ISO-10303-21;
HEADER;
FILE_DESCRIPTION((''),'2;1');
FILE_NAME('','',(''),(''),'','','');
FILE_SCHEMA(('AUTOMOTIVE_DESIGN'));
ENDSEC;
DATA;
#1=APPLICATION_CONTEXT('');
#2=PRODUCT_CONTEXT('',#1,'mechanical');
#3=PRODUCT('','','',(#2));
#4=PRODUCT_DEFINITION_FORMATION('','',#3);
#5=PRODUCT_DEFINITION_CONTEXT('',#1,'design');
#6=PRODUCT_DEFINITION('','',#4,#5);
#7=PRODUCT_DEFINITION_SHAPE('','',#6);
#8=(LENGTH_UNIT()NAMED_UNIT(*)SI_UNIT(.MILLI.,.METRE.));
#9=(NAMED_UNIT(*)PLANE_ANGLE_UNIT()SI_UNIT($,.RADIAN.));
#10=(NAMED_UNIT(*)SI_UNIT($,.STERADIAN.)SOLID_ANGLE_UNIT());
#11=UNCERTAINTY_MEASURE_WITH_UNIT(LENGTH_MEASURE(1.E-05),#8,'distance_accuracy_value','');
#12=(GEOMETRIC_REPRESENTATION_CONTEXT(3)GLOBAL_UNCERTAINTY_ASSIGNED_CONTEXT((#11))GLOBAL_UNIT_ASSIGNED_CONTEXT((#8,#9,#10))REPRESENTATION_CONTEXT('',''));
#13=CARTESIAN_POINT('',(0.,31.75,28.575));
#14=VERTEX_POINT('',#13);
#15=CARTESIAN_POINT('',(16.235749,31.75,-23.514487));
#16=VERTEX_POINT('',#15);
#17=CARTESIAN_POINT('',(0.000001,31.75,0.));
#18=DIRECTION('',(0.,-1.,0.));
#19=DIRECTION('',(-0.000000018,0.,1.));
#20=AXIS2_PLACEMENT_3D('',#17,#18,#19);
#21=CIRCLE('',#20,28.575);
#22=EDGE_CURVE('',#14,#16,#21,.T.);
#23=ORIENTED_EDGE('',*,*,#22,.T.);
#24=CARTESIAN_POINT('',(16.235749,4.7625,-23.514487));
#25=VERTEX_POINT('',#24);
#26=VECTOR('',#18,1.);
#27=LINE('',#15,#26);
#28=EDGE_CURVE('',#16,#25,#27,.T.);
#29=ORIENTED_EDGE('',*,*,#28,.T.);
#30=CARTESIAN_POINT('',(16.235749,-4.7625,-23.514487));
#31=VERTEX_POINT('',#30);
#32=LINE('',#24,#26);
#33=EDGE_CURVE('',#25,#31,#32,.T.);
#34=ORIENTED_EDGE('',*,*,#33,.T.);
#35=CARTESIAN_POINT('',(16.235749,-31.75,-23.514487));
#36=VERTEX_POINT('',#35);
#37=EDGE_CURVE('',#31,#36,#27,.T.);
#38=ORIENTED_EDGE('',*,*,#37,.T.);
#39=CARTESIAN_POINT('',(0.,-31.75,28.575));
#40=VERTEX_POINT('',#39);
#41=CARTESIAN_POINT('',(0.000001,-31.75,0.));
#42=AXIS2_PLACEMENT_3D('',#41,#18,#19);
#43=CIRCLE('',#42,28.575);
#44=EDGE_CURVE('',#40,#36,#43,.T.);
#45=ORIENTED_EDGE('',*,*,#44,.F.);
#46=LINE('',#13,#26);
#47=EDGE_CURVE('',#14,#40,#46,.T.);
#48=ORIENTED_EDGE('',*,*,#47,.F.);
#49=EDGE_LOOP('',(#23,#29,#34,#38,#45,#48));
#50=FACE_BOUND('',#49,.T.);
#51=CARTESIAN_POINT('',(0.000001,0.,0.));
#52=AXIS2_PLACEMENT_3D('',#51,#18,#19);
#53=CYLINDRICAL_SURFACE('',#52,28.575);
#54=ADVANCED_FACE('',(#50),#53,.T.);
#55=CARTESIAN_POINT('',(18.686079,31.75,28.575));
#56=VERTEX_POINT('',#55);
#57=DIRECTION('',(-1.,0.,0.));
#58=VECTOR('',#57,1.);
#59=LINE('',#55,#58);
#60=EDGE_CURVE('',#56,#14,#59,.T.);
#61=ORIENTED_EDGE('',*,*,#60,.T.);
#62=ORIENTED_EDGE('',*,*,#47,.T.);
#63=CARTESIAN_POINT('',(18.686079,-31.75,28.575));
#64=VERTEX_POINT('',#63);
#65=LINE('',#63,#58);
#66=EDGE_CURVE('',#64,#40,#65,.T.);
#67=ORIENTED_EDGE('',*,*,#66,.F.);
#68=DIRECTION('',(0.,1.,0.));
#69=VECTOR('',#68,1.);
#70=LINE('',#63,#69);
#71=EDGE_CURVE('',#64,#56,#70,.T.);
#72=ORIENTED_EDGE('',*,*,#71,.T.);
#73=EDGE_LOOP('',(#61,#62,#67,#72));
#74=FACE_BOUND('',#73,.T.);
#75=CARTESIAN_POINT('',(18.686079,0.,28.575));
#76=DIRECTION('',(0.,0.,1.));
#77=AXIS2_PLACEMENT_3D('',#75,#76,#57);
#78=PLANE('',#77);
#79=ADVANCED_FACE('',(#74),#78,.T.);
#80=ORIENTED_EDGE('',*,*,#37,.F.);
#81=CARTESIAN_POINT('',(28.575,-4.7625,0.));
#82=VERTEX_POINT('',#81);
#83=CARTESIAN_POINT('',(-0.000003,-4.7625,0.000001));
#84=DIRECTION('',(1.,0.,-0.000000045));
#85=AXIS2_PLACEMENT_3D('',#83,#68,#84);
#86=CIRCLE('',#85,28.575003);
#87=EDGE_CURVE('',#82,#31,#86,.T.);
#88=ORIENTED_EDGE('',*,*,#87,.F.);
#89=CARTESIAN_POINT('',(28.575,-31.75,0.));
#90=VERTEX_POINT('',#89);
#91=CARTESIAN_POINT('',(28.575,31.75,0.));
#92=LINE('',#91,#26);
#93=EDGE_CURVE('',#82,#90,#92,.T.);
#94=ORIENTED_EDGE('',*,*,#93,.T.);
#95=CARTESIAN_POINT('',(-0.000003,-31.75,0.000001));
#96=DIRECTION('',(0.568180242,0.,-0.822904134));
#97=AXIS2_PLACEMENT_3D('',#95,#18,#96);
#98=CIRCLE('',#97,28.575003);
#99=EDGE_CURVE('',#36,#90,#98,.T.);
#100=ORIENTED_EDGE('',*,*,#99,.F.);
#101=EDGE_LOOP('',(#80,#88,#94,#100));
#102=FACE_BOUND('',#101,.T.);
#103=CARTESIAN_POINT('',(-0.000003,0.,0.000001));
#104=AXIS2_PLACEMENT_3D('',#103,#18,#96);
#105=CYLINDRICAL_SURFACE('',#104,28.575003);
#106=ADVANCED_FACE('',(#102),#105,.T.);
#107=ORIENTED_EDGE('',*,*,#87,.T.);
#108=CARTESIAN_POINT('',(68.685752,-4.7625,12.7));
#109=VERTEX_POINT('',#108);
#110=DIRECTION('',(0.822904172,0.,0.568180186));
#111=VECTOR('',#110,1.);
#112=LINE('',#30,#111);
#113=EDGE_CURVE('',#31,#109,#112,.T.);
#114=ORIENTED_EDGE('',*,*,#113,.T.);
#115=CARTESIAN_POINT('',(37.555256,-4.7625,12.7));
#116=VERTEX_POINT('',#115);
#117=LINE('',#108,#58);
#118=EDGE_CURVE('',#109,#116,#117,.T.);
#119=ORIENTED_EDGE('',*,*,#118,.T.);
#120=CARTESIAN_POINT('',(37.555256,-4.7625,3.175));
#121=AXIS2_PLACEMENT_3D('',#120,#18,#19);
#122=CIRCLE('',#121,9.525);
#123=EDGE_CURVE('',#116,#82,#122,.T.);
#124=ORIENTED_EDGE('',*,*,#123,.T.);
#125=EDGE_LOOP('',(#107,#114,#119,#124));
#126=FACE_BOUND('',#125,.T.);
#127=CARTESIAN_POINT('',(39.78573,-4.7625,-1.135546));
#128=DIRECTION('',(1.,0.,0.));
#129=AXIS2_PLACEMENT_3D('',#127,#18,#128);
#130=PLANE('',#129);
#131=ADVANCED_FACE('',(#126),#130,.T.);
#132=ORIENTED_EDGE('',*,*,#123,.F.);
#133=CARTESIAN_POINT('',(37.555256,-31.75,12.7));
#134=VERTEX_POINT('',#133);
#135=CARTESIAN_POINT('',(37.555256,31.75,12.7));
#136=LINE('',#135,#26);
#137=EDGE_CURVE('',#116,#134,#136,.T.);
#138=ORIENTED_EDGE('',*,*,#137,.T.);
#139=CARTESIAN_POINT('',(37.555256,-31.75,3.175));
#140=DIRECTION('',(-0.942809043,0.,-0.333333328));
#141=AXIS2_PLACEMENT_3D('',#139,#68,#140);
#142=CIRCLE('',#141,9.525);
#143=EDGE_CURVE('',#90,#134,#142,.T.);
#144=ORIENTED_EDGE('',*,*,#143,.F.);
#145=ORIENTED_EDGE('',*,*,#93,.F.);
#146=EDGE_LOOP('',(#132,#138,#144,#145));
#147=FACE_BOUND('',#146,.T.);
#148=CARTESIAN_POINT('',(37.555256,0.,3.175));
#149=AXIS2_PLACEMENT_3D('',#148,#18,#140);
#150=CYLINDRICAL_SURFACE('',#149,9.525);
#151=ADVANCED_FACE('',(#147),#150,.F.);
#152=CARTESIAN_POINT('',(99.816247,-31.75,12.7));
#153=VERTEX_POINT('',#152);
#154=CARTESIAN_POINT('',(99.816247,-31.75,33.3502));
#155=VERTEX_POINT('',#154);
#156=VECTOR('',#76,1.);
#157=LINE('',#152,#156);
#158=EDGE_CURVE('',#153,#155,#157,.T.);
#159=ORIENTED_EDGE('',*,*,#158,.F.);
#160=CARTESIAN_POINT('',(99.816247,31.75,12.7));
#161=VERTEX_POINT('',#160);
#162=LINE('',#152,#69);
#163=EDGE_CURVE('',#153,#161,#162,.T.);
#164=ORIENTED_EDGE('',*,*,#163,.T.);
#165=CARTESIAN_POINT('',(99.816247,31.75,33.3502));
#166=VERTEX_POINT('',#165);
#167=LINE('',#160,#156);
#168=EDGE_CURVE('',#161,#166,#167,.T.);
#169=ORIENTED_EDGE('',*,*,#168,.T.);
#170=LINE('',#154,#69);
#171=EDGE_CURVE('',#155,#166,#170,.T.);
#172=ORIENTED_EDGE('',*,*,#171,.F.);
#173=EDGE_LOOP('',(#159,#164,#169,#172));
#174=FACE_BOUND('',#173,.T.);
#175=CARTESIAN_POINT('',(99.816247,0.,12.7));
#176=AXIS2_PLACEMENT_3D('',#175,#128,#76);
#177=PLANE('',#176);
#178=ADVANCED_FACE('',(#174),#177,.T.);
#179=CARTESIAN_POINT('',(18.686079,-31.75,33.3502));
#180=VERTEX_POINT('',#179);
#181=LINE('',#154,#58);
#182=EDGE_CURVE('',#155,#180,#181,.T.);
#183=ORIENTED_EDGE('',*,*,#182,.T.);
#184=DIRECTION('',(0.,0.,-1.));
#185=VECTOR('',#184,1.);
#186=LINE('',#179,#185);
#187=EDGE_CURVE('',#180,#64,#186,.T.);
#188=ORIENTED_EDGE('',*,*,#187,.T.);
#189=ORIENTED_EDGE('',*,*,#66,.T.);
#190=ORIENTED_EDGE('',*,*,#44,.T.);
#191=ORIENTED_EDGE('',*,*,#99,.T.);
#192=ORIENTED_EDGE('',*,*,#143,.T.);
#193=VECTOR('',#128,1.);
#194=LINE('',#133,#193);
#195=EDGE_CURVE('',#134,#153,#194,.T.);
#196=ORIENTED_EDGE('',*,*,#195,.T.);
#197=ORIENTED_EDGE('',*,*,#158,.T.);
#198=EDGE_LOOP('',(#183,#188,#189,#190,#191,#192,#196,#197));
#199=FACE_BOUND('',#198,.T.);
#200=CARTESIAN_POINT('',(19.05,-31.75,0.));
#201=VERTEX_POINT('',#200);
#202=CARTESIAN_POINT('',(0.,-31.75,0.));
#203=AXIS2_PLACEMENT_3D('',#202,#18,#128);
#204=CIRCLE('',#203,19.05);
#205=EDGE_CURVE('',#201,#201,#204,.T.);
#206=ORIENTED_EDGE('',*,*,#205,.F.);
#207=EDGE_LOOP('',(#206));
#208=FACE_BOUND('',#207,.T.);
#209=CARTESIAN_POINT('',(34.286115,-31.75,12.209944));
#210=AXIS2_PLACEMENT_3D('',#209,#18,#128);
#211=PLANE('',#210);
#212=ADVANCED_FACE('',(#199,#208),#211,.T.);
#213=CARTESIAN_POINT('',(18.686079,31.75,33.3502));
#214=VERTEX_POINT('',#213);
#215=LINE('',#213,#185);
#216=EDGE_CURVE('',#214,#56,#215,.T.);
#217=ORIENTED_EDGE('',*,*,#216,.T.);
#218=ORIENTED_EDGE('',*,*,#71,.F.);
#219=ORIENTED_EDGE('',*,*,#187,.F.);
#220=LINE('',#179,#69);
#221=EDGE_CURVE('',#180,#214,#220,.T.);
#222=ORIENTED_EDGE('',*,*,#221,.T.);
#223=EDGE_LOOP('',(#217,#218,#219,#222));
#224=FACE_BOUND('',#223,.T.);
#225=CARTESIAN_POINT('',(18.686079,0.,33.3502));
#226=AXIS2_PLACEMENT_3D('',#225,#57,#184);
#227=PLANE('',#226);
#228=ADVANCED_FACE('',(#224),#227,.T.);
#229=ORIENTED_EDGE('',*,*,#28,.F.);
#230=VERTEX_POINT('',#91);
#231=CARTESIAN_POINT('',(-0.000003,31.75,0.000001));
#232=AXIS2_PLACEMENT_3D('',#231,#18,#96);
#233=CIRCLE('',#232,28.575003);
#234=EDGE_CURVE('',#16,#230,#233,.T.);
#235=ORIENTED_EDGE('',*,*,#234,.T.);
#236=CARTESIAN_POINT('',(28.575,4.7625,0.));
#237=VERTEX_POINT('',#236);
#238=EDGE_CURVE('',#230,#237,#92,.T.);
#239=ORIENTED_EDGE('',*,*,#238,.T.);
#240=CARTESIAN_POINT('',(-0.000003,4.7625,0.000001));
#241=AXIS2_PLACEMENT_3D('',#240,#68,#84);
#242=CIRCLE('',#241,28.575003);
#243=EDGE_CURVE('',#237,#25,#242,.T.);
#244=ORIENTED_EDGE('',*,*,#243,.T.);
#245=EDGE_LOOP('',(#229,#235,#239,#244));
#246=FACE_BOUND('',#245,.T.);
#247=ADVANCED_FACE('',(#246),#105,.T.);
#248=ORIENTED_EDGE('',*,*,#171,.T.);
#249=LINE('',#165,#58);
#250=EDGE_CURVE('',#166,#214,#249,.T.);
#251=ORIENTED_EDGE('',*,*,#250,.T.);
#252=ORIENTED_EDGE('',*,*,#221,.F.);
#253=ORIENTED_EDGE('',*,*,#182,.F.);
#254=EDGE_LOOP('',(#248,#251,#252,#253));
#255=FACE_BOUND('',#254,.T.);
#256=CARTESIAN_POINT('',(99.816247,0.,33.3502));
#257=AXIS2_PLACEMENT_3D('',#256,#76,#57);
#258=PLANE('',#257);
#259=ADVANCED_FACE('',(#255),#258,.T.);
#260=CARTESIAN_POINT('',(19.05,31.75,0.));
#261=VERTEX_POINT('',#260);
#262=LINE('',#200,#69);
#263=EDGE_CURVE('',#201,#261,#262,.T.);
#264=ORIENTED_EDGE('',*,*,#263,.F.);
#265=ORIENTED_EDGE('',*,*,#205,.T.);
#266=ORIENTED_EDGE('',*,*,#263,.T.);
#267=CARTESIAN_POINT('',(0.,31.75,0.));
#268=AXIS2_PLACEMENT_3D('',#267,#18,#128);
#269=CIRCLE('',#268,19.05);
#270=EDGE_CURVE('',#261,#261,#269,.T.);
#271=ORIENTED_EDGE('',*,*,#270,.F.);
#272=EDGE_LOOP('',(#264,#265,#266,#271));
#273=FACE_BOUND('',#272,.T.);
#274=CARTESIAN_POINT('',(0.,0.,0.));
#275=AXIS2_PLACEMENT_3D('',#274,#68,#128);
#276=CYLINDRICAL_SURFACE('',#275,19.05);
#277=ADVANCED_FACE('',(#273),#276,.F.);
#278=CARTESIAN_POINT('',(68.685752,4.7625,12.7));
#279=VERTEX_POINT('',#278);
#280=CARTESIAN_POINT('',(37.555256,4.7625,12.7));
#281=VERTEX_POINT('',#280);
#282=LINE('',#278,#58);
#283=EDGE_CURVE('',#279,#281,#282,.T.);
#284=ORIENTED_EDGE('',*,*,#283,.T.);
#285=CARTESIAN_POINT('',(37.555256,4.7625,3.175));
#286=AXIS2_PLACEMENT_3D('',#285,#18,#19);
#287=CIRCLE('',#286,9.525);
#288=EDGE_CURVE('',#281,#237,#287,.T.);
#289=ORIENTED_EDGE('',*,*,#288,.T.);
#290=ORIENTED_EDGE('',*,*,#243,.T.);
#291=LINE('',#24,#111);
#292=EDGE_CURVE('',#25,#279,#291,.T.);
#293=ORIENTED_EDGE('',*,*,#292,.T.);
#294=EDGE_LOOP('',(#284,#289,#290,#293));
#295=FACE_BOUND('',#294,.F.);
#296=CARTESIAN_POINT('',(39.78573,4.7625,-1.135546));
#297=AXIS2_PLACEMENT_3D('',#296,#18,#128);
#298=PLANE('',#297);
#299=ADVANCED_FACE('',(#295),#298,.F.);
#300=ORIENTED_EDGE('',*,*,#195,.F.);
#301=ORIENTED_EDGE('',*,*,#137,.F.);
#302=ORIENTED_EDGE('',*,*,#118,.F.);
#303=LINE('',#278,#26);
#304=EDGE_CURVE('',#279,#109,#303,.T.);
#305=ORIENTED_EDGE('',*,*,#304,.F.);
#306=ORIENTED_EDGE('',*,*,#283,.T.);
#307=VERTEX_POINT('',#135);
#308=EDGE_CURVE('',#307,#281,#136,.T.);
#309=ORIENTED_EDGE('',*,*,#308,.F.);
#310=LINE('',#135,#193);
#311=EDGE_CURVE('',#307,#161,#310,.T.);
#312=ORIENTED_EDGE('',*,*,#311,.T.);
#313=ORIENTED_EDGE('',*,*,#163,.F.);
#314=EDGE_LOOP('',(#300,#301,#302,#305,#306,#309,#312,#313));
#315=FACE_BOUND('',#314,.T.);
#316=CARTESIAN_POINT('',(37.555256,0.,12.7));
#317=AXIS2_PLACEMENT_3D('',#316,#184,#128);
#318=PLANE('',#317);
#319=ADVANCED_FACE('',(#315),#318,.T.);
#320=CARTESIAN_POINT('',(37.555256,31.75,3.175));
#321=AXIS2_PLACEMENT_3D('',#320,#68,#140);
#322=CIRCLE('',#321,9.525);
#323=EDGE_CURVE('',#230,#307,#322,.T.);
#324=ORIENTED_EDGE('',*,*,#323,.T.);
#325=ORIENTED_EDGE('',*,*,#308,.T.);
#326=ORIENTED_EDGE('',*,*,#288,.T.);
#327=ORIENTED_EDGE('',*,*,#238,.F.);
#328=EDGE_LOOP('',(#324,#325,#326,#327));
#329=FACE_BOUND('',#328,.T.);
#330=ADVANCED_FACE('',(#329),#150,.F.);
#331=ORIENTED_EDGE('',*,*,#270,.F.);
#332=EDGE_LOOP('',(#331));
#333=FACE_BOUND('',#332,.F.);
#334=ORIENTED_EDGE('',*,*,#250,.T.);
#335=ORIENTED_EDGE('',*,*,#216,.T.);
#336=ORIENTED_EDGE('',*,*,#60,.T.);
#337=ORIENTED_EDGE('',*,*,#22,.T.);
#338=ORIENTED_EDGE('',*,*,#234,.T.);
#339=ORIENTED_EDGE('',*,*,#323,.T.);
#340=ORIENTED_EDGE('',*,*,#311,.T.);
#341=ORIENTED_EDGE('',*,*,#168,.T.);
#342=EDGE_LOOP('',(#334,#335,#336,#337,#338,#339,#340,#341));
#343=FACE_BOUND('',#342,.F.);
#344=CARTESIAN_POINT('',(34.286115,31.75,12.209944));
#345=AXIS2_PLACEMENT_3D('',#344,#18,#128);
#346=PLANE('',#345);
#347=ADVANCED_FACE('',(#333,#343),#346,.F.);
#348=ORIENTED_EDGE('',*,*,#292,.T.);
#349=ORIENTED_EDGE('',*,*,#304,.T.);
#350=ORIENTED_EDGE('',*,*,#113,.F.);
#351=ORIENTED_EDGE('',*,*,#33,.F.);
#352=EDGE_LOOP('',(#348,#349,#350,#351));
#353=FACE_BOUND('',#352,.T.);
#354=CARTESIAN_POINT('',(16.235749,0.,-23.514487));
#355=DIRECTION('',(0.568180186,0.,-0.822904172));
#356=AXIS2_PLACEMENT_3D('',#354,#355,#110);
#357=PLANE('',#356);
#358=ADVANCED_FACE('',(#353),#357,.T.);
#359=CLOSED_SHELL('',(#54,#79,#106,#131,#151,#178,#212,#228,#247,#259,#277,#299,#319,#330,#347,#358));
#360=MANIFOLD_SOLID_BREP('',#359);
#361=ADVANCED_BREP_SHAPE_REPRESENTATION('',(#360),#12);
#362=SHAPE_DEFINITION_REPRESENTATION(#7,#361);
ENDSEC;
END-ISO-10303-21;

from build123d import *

# Parameters (mm, degrees)
F0_R     = 19.05
F1_DEPTH = 31.75
F2_DEPTH = 4.7625


with BuildPart() as f1:
    # F0 (on Front) → F1 (new body, symmetric)
    with BuildSketch(Plane.XZ):
        with BuildLine():
            Line((18.686079, 28.575), (0, 28.575))
            ThreePointArc((0, 28.575), (-27.280552, -8.503063), (16.235749, -23.514487))
            ThreePointArc((16.235749, -23.514487), (25.302837, -13.27769), (28.575, 0))
            ThreePointArc((28.575, 0), (29.778126, 8.674261), (37.555256, 12.7))
            Line((37.555256, 12.7), (68.685752, 12.7))
            Line((68.685752, 12.7), (99.816247, 12.7))
            Line((99.816247, 12.7), (99.816247, 33.3502))
            Line((99.816247, 33.3502), (18.686079, 33.3502))
            Line((18.686079, 33.3502), (18.686079, 28.575))
        make_face()
        Circle(F0_R, mode=Mode.SUBTRACT)
    extrude(amount=F1_DEPTH, both=True)

    # F0 (on Front) → F2 (join, symmetric)
    with BuildSketch(Plane.XZ):
        with BuildLine():
            ThreePointArc((28.575, 0), (25.302837, -13.27769), (16.235749, -23.514487))
            Line((16.235749, -23.514487), (68.685752, 12.7))
            Line((68.685752, 12.7), (37.555256, 12.7))
            ThreePointArc((37.555256, 12.7), (29.778126, 8.674261), (28.575, 0))
        make_face()
    extrude(amount=F2_DEPTH, both=True)


solid = f1.part
